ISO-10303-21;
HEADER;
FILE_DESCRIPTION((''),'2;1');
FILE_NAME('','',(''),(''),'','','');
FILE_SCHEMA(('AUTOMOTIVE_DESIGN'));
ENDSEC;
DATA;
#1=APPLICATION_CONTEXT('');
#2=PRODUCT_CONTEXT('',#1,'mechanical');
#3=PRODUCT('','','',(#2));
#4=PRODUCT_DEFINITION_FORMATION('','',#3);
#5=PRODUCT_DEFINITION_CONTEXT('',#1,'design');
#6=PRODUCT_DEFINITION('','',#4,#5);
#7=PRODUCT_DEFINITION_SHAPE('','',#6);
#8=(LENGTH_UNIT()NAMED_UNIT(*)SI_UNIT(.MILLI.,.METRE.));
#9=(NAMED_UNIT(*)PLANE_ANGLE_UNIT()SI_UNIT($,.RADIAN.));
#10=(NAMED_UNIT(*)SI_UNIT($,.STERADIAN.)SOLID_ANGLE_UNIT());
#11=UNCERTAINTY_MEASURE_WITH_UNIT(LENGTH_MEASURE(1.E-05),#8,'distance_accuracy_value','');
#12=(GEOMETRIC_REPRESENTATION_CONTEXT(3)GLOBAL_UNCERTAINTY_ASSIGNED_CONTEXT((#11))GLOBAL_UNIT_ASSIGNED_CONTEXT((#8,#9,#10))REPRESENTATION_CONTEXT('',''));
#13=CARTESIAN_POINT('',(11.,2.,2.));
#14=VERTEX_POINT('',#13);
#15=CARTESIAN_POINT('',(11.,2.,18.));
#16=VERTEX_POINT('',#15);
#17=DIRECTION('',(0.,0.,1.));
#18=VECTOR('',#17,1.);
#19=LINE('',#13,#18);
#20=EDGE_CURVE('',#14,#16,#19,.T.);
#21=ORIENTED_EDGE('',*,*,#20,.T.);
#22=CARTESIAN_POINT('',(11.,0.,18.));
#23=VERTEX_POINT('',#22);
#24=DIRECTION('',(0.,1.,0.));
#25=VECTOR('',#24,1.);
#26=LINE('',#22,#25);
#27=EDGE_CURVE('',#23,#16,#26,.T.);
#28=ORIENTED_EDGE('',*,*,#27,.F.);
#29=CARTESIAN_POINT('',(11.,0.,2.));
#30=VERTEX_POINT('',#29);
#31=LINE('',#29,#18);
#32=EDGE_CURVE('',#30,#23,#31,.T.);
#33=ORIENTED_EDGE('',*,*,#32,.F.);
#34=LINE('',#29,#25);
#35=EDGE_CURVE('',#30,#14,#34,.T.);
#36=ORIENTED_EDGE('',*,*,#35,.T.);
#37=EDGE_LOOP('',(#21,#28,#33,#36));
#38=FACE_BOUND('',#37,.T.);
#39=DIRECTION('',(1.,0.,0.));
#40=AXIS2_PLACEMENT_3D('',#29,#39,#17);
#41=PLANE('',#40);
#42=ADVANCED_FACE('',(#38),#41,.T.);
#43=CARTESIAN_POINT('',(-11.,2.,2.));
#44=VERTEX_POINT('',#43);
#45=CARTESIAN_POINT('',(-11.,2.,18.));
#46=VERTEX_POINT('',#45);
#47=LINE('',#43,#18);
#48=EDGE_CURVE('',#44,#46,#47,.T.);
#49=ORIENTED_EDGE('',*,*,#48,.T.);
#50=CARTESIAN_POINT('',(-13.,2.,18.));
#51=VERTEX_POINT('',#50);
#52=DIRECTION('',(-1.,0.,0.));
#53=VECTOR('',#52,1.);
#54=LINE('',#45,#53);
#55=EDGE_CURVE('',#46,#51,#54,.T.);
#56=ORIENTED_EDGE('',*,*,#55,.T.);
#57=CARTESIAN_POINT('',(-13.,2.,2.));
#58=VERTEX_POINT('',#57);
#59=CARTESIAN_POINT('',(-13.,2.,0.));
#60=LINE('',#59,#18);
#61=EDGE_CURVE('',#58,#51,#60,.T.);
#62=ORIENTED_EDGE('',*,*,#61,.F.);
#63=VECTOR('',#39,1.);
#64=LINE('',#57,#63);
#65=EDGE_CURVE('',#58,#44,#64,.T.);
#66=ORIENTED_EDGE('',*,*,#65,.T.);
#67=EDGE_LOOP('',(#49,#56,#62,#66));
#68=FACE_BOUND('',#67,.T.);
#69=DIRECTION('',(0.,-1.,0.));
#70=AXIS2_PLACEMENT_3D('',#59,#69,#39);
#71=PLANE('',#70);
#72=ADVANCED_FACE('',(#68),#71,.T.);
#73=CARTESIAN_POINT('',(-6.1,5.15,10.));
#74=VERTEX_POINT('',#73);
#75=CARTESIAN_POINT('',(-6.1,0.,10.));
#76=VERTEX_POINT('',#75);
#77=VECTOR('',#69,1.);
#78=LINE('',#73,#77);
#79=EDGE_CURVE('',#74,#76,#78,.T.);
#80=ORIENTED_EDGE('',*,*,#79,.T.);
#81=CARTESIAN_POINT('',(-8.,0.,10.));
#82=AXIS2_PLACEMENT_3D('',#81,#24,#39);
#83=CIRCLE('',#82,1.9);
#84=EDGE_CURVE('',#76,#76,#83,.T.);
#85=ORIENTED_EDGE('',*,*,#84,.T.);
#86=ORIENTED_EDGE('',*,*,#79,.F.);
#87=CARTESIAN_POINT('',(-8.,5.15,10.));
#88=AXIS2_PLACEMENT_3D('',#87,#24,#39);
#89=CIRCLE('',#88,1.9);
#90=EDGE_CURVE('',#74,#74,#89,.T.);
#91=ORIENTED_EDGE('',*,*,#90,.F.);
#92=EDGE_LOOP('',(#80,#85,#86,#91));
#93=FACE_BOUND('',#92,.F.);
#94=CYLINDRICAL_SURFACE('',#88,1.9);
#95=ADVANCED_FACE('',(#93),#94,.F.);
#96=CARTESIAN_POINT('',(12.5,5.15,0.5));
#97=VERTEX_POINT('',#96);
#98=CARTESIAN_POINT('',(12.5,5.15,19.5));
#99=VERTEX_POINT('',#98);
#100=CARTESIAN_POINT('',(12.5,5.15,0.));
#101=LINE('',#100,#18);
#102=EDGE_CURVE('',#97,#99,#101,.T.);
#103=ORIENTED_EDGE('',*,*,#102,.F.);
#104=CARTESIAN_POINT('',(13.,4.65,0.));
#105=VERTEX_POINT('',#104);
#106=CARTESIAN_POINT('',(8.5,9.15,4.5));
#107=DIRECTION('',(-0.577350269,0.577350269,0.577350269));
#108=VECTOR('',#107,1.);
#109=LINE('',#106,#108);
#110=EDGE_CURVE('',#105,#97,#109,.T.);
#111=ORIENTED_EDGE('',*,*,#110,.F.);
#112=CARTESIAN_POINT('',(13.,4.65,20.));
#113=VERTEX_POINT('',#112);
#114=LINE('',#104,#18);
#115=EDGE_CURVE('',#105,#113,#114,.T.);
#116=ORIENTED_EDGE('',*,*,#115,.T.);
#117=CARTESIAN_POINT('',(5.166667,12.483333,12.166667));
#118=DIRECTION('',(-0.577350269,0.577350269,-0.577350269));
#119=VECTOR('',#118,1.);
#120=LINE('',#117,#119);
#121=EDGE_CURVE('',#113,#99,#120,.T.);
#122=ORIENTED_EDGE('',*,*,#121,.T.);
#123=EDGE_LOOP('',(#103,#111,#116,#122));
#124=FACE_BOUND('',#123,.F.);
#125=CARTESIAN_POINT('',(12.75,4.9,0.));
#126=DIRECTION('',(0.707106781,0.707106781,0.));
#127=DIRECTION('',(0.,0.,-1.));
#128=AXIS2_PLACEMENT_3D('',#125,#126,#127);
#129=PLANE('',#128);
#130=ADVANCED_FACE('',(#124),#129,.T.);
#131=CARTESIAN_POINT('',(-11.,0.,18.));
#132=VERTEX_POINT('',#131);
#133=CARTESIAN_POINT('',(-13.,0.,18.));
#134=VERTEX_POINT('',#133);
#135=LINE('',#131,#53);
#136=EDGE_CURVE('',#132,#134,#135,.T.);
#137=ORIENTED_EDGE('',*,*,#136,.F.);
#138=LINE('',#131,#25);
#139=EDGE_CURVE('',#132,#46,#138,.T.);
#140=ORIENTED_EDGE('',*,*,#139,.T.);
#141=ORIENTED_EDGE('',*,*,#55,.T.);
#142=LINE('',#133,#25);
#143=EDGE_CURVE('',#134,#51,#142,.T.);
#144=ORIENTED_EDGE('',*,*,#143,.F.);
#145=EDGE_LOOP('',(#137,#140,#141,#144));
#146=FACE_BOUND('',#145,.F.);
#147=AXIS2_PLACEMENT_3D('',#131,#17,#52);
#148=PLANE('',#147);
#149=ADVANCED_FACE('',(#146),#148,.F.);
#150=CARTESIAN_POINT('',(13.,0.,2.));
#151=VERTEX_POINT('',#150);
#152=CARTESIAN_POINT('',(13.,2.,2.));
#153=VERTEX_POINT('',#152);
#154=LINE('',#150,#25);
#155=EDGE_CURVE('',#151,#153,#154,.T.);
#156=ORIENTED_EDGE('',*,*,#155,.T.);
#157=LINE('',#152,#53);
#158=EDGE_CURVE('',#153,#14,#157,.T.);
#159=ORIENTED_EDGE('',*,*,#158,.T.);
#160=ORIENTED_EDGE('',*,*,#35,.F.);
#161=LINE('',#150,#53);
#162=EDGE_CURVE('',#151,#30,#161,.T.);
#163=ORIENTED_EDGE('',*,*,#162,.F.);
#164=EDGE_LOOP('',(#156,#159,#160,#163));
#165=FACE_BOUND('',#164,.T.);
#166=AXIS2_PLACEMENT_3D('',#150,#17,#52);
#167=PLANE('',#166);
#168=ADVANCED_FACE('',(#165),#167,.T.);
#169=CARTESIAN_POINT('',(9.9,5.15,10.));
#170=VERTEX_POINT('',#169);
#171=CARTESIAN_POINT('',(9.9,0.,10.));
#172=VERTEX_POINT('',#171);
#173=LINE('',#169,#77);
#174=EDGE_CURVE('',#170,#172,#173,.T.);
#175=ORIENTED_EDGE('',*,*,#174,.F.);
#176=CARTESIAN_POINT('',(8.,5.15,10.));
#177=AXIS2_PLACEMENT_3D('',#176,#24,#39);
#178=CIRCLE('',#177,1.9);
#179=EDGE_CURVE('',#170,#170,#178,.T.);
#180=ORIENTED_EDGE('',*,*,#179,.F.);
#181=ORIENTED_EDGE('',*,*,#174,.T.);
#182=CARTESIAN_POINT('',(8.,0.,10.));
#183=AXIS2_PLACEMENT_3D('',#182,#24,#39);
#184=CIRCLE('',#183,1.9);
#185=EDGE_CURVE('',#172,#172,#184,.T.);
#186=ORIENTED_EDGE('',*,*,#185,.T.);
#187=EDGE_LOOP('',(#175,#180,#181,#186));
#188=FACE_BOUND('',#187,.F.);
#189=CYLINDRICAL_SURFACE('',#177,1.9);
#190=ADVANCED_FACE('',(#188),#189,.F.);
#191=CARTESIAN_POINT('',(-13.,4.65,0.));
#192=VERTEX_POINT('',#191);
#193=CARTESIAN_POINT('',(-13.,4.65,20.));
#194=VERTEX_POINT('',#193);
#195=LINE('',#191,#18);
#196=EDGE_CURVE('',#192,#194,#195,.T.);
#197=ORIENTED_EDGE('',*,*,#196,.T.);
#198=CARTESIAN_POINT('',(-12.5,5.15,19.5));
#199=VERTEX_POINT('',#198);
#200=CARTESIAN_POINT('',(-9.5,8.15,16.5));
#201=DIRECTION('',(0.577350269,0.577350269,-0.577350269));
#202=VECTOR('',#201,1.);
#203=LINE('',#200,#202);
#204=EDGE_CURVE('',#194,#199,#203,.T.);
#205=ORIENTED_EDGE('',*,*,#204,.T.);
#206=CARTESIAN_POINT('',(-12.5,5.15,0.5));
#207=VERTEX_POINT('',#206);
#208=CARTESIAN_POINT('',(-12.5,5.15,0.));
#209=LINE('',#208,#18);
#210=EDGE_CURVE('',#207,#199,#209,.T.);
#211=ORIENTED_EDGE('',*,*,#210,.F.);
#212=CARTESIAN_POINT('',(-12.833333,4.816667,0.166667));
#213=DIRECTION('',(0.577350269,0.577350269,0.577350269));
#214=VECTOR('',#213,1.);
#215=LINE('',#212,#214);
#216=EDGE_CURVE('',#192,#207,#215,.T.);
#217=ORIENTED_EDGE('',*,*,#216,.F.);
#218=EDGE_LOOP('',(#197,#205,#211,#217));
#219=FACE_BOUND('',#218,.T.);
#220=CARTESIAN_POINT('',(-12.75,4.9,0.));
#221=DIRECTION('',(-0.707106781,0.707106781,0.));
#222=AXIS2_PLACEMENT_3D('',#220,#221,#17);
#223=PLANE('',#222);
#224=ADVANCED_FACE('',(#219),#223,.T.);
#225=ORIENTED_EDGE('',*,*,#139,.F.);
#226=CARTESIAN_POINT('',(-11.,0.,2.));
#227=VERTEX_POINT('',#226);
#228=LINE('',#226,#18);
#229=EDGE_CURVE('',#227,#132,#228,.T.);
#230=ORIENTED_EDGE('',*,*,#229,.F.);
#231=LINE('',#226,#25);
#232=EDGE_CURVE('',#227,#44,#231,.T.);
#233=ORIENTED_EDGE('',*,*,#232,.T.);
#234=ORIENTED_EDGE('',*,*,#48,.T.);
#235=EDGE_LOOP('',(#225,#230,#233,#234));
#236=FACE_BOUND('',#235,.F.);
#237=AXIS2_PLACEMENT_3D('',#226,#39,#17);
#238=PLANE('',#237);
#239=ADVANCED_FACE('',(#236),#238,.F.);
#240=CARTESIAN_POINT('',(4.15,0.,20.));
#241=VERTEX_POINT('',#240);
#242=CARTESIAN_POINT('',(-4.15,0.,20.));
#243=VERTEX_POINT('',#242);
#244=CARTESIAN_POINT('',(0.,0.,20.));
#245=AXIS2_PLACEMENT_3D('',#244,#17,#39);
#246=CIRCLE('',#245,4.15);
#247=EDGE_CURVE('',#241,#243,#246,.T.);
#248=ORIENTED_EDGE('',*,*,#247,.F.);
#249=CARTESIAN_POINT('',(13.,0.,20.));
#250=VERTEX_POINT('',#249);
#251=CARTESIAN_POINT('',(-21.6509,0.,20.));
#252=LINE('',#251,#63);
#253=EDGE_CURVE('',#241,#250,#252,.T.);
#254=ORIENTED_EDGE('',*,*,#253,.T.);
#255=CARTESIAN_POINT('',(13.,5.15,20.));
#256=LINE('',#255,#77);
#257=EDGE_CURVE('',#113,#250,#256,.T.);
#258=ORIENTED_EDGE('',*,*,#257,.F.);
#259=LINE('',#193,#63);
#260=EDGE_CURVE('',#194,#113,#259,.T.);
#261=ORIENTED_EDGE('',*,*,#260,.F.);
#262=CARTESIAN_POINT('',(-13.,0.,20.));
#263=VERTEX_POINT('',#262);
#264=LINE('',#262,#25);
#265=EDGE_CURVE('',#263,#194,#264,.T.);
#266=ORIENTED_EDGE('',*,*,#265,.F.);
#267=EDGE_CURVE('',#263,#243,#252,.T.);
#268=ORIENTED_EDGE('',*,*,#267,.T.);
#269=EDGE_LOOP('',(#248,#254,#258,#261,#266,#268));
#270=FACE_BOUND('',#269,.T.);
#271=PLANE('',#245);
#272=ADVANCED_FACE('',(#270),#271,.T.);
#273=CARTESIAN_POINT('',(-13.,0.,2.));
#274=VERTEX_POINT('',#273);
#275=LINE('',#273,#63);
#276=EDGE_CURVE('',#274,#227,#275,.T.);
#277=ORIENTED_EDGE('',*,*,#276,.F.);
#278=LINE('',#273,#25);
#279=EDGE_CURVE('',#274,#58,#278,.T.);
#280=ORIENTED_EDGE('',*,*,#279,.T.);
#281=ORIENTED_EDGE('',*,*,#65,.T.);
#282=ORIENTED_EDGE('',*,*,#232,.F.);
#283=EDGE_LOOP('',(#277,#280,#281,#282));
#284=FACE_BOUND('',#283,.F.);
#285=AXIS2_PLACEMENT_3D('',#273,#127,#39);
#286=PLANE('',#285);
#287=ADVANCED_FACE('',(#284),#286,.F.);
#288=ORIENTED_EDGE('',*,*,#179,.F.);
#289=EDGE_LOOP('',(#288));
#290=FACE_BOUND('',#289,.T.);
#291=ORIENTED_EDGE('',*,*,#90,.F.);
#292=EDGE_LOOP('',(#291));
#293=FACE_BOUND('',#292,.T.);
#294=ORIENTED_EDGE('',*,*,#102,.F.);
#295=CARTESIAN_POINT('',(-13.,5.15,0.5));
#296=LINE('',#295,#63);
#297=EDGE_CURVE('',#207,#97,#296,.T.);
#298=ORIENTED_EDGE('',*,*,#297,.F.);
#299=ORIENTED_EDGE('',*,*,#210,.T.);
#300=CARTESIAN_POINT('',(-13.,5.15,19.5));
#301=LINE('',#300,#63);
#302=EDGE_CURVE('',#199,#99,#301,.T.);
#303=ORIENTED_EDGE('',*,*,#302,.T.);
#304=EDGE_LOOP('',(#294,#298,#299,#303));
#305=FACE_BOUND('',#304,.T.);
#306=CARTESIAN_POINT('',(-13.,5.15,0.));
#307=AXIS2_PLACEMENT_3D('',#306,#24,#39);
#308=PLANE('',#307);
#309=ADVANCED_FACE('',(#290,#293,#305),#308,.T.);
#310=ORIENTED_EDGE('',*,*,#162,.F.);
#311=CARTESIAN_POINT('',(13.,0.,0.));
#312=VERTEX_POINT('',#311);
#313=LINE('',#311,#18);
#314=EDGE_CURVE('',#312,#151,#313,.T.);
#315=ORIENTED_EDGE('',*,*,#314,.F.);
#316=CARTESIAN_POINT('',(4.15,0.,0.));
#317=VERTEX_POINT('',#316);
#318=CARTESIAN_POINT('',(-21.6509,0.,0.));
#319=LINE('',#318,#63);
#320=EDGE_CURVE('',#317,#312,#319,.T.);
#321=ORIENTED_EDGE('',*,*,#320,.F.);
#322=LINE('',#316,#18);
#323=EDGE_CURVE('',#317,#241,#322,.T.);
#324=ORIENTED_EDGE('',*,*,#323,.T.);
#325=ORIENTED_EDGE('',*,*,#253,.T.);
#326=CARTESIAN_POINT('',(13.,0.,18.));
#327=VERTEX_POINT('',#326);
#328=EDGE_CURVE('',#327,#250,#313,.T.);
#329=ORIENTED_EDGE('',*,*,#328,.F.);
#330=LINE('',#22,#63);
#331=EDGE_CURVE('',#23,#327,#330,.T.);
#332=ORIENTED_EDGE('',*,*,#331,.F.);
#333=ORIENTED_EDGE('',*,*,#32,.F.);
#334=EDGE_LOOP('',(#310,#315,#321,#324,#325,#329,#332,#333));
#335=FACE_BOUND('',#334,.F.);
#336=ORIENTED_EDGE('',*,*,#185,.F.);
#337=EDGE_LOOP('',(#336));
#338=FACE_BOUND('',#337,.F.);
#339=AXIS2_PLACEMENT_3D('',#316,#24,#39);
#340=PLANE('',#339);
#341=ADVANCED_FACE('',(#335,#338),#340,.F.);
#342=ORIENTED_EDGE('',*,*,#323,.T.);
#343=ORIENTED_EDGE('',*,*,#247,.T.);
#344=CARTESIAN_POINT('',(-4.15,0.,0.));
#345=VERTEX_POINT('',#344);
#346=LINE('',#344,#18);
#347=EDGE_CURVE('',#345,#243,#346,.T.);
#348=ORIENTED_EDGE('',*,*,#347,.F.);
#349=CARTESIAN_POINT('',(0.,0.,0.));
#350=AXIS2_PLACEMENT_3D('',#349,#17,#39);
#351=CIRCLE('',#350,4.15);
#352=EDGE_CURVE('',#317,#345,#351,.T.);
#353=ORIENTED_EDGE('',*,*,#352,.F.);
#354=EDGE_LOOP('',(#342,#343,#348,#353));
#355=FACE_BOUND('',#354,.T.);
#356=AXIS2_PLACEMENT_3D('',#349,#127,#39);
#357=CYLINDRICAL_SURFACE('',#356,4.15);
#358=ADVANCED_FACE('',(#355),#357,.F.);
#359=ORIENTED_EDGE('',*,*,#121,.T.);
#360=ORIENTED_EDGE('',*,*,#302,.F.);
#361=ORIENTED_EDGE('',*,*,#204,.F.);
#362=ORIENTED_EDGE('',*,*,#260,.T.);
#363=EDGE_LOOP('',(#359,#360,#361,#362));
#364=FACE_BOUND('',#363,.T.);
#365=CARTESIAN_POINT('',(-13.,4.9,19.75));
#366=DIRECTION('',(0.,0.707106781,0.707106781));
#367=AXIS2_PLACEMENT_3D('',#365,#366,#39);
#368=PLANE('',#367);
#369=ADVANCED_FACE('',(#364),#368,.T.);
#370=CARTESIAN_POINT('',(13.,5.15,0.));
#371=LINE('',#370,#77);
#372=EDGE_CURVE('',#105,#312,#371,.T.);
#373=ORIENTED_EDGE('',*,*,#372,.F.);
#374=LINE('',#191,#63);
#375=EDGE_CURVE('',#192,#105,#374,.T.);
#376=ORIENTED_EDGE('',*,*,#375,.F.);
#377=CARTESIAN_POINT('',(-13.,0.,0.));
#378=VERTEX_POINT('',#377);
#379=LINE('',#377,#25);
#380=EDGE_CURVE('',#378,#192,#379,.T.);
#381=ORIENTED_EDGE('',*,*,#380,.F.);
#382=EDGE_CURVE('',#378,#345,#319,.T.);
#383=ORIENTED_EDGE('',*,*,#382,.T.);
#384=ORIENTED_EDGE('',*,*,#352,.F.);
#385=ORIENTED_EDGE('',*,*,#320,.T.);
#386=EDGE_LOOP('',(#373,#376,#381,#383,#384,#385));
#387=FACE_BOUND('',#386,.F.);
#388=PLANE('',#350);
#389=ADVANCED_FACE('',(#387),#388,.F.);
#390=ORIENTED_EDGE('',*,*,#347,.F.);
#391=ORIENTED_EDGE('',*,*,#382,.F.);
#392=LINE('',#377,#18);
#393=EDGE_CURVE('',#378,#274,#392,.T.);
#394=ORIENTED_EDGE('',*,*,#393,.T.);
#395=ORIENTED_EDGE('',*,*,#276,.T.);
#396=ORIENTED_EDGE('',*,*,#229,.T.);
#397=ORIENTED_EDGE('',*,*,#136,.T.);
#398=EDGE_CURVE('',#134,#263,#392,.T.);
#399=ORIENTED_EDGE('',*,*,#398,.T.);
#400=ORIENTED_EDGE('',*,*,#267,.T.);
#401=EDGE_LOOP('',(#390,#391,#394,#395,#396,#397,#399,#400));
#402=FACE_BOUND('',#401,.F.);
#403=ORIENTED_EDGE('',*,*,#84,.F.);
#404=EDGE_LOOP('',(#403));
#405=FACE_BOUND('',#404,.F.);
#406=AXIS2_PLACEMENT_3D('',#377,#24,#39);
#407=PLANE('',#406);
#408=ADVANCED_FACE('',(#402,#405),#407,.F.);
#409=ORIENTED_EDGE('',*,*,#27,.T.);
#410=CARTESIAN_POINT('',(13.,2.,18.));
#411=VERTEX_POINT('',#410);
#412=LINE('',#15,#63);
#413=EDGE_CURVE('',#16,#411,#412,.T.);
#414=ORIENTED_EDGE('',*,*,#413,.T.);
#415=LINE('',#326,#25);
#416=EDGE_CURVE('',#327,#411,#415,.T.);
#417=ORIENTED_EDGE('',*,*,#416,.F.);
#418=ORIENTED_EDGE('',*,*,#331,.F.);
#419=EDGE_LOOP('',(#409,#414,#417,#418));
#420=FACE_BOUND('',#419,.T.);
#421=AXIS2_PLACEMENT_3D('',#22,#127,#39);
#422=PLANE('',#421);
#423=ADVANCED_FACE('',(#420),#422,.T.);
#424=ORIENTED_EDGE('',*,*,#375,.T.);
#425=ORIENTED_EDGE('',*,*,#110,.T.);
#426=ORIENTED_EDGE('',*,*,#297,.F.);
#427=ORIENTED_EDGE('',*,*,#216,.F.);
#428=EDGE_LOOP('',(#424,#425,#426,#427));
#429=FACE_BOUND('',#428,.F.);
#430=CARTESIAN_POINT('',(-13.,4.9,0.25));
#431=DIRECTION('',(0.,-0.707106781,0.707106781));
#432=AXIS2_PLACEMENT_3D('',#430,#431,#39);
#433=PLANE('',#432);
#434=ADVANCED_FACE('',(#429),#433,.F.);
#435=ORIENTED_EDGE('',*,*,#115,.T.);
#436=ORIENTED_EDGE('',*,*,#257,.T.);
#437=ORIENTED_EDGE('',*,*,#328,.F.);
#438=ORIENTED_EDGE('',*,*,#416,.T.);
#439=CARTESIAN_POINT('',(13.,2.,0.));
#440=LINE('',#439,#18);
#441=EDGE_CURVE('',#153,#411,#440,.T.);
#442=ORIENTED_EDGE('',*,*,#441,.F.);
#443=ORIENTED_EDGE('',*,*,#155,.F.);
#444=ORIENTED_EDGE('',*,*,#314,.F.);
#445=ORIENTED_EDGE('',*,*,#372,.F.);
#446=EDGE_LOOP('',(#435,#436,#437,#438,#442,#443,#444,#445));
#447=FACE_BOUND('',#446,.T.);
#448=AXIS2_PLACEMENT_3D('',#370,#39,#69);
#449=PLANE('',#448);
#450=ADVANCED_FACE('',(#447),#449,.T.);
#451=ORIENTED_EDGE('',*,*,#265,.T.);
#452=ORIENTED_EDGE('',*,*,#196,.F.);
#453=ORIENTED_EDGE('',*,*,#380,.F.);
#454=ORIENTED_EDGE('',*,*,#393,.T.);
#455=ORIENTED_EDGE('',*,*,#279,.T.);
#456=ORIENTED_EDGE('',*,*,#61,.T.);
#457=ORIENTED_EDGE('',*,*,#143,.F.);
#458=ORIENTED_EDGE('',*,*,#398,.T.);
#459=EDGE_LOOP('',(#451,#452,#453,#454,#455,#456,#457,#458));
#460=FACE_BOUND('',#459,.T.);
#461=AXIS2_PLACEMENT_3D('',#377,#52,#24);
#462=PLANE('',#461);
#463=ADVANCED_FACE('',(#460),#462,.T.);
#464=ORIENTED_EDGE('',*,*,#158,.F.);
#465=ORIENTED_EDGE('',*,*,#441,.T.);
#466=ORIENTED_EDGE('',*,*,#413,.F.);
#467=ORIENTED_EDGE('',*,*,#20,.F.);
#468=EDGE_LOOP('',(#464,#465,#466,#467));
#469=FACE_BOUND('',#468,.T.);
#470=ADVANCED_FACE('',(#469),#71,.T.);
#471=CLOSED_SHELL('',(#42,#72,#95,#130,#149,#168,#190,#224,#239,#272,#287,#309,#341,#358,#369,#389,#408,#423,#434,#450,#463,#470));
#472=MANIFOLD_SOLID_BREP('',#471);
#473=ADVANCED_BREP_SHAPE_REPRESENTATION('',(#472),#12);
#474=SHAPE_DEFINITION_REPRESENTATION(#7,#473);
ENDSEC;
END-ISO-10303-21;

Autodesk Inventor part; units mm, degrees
ref_plane "YZ Plane" through (0, 0, 0) normal (1, 0, 0) x (0, 1, 0)
ref_plane "XZ Plane" through (0, 0, 0) normal (0, 1, 0) x (-1, 0, 0)
ref_plane "XY Plane" through (0, 0, 0) normal (0, 0, 1) x (1, 0, 0)
sketch "Sketch1" plane through (0, 0, 0) normal (0, 0, 1) x (1, 0, 0)
  arc A0 (4.15, 0) -> (-4.15, 0) centre (0, 0) ccw
  line L0 (-21.6509, 0) -> (19.2313, 0) projected
  line L1 (-13, 0) -> (-13, 5.15)
  line L2 (-13, 5.15) -> (13, 5.15)
  line L3 (13, 5.15) -> (13, 0)
  line L4 (-13, 0) -> (-4.15, 0)
  line L5 (4.15, 0) -> (13, 0)
  dimension "d0" = 8.3
  dimension "d1" = 1
  dimension "d2" = 13
  dimension "d3" = 13
extrude "Extrusion1" add sketch "Sketch1" along normal blind 20 contours A0 L0 L1 L2 L3
sketch "Sketch2" plane through (-13, 5.15, 0) normal (0, 1, 0) x (1, 0, 0)
  line L0 (-4.8106, -10) -> (24.391, -10) construction
  line L1 (26, 0) -> (0, 0) construction
  line L2 (26, -20) -> (0, -20) construction
  circle A0 centre (5, -10) radius 1.9
  circle A1 centre (21, -10) radius 1.9
  point P0 (13, 0)
  dimension "d7" = 20
  dimension "d8" = 10
  dimension "d9" = 3.8
  dimension "d10" = 3.8
  dimension "d11" = 16
  dimension "d12" = 8
extrude "Extrusion2" cut sketch "Sketch2" against normal through all
sketch "Sketch3" plane through (-13, 0, 0) normal (0, -1, 0) x (1, 0, 0)
  line L0 (0, 0) -> (0, 20) projected
  line L1 (0, 2) -> (2, 2)
  line L2 (2, 2) -> (2, 18)
  line L3 (2, 18) -> (0, 18)
  line L4 (0, 18) -> (0, 2)
  line L5 (26, 0) -> (26, 20) projected
  line L6 (26, 2) -> (24, 2)
  line L7 (24, 2) -> (24, 18)
  line L8 (24, 18) -> (26, 18)
  line L9 (26, 18) -> (26, 2)
  line L10 (0, 0) -> (8.85, 0) projected
  line L11 (0, 20) -> (8.85, 20) projected
  line L12 (17.15, 20) -> (26, 20) projected
  line L13 (17.15, 0) -> (26, 0) projected
  point P0 (13, 0)
  point P1 (0, 18)
  dimension "d15" = 2
  dimension "d16" = 2
  dimension "d17" = 2
  dimension "d18" = 2
  dimension "d19" = 2
  dimension "d20" = 2
extrude "Extrusion3" cut sketch "Sketch3" against normal blind 2
chamfer "Chamfer1" distance 0.5 angle 45 4 edges at (13, 5.15, 10) (0, 5.15, 20) (-13, 5.15, 10) (0, 5.15, 0)
equation "\"d3\" = d2"
equation "\"d8\" = 0.5 * d7"
equation "\"d10\" = d9"
equation "\"d16\" = d15"
equation "\"d17\" = d15"
equation "\"d18\" = d16"
equation "\"d19\" = d16"
equation "\"d20\" = d17"
properties part number "_3DPrint"
